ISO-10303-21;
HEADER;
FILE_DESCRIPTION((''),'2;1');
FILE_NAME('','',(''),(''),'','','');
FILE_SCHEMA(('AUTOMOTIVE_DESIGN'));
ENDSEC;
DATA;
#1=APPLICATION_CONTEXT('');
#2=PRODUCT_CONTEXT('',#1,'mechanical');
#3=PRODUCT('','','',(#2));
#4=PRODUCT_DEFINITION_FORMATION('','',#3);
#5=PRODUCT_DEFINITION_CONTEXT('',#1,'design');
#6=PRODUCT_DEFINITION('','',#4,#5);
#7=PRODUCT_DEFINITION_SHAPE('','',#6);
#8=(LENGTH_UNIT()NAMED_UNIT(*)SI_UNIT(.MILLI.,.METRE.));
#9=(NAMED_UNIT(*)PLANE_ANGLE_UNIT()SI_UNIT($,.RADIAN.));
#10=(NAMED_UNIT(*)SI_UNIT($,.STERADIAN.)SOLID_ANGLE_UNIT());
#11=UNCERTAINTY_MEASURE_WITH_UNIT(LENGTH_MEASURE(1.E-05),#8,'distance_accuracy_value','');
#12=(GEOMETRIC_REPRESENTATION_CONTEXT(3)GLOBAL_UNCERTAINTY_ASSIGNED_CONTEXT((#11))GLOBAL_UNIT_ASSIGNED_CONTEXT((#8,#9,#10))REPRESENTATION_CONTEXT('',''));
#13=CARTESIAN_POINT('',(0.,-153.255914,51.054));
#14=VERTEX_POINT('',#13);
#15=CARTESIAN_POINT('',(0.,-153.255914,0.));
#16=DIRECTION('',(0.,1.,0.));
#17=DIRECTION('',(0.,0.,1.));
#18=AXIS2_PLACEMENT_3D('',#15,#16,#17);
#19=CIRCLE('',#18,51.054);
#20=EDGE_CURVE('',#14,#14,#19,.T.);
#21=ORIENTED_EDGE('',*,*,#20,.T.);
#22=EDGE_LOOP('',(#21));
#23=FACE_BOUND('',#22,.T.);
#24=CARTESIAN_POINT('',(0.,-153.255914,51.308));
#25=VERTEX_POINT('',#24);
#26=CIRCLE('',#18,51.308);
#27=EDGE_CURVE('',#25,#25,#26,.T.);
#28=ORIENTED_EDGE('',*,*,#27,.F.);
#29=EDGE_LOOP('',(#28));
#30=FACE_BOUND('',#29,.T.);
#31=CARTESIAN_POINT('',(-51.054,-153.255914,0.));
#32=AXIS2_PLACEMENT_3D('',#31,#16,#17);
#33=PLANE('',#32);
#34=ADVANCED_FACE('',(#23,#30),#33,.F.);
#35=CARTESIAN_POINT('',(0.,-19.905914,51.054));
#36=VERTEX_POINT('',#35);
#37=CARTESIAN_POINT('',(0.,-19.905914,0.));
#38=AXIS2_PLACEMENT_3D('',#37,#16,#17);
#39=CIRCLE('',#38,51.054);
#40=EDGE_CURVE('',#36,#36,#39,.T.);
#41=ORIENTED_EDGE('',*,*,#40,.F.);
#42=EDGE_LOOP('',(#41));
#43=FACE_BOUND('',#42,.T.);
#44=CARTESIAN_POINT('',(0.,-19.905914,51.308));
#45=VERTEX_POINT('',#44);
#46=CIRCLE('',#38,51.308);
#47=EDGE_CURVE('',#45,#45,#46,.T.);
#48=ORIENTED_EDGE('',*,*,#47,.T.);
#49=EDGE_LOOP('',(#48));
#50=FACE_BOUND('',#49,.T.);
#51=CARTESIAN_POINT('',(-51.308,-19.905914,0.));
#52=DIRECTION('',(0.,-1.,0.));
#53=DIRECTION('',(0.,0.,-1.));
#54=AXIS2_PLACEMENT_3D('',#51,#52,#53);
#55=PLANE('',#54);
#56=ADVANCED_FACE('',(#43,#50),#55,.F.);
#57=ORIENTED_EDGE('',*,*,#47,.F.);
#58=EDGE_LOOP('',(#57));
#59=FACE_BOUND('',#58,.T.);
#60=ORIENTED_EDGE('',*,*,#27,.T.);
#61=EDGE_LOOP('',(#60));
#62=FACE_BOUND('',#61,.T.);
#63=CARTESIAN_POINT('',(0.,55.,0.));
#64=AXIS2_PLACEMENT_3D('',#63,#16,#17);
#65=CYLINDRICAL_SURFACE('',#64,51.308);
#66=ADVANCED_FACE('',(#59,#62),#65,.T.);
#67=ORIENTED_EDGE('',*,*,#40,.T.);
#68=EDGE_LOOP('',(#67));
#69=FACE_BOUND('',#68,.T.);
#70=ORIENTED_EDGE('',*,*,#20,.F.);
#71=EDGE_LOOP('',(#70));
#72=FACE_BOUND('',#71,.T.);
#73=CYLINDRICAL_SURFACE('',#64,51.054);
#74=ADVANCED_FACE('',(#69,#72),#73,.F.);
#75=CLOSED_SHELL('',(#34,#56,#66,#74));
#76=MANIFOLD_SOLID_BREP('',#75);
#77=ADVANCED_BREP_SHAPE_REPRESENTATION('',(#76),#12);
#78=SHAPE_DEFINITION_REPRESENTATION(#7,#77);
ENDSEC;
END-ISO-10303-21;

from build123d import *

# Parameters (mm, degrees)
SKETCH1_W = 0.254
SKETCH1_H = 133.35


with BuildPart() as part:
    # Sketch1 → Revolve-Thin1 (revolve)
    with BuildSketch(Plane.XY):
        with Locations((-51.181, -86.580914232)):
            Rectangle(SKETCH1_W, SKETCH1_H)
    revolve(axis=Axis((0, 55, 0), (0, -1, 0)))


solid = part.part
